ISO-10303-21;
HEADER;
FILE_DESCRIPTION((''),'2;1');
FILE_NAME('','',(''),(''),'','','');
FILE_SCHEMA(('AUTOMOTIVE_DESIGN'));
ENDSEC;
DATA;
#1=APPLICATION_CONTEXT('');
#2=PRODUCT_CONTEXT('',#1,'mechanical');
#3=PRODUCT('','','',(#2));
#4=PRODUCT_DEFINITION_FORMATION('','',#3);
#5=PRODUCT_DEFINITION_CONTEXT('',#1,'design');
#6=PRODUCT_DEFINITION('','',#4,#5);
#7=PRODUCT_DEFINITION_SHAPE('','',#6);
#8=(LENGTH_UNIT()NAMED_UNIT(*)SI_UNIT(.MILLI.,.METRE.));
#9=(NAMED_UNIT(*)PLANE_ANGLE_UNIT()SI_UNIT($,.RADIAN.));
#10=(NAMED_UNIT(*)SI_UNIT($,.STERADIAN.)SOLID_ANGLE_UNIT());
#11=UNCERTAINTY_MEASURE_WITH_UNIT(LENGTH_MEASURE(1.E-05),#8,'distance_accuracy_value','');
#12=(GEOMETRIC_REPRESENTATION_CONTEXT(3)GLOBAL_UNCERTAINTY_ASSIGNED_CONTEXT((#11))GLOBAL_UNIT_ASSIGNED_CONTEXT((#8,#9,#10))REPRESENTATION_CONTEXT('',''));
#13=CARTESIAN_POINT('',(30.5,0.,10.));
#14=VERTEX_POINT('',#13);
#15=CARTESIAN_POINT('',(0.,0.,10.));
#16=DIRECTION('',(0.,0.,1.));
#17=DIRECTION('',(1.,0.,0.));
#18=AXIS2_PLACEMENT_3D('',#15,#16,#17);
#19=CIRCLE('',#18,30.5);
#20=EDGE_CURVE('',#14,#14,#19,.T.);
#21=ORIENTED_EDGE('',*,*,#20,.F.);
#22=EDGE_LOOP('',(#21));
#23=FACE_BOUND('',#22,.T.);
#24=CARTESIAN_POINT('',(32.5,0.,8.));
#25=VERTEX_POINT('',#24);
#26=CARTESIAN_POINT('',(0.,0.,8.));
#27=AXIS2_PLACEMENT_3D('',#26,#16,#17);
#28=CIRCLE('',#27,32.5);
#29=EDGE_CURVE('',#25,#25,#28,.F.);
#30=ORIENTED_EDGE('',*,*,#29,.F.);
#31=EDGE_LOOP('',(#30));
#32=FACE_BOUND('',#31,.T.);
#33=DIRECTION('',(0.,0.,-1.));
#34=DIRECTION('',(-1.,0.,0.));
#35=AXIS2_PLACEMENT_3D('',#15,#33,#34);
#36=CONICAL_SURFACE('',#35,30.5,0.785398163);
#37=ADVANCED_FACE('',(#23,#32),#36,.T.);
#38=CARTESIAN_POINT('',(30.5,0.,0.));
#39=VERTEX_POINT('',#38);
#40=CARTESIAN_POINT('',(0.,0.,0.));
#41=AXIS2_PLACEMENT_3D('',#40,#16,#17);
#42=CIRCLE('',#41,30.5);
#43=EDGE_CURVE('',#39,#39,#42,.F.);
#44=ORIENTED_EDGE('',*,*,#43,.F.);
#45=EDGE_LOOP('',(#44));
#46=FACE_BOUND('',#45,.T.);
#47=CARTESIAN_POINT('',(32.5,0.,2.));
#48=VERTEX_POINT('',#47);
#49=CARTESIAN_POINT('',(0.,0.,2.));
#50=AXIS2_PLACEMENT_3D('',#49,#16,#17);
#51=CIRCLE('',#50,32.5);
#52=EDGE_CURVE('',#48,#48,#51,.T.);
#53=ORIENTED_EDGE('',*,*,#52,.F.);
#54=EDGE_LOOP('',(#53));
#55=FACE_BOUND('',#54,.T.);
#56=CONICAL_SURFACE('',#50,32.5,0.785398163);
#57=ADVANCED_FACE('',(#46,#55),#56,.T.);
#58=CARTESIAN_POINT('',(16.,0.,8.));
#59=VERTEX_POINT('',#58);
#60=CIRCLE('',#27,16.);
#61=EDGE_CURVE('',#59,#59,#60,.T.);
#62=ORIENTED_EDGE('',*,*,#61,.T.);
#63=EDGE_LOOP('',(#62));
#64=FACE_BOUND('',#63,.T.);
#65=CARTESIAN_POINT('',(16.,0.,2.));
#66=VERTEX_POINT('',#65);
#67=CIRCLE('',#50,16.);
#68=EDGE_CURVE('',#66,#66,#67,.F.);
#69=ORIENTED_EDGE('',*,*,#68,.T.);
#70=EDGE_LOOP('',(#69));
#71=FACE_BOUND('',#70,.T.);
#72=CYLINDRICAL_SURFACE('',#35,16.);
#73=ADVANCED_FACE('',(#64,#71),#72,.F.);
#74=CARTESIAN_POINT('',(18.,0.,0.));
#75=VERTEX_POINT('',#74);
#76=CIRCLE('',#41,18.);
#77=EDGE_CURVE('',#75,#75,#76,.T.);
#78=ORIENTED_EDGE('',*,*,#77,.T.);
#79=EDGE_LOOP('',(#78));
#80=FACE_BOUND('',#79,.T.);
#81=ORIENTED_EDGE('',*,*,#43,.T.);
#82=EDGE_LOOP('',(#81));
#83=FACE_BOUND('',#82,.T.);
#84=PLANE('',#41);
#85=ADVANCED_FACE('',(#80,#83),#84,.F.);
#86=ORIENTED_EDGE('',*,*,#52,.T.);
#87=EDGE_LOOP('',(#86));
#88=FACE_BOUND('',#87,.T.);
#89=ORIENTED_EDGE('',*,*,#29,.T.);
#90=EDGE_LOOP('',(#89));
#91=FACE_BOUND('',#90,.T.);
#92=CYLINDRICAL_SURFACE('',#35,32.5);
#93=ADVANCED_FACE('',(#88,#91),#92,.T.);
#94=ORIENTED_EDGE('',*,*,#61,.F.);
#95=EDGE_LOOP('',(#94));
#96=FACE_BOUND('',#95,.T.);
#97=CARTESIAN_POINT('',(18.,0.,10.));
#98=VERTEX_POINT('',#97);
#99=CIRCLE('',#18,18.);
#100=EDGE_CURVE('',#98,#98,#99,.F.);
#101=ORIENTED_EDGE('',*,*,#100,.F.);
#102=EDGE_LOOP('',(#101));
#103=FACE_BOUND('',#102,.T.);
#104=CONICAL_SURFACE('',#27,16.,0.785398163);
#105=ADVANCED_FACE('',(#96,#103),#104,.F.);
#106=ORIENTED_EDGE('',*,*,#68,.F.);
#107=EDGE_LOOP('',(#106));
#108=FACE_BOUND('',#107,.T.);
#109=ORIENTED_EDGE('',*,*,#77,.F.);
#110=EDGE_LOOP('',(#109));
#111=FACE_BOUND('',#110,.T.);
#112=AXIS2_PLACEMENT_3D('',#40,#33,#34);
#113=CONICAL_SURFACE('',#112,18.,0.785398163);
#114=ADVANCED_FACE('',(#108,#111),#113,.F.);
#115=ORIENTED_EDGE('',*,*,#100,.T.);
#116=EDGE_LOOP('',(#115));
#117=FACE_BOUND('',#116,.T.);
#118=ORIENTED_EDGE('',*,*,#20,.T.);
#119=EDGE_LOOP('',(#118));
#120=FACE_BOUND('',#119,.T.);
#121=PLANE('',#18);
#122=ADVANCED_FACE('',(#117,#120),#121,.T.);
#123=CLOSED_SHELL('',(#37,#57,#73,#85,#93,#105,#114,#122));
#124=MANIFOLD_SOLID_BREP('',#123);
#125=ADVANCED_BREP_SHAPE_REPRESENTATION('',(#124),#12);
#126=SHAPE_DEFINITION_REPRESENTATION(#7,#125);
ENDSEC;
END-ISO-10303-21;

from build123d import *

# Parameters (mm, degrees)
SKETCH_1_R      = 32.5
SKETCH_1_R_2    = 16
EXTRUDE_1_DEPTH = 10
CHAMFER_1_SIZE  = 2


with BuildPart() as part:
    # 草图1 → 凸台-拉伸1 (new body)
    with BuildSketch(Plane.XY):
        Circle(SKETCH_1_R)
        Circle(SKETCH_1_R_2, mode=Mode.SUBTRACT)
    extrude(amount=EXTRUDE_1_DEPTH)

    # 倒角1
    chamfer_1_edges = [part.edges().sort_by_distance(p)[0] for p in [
        (-32.5, 0, 0),
        (-32.5, 0, 10),
        (-16, 0, 0),
        (-16, 0, 10),
    ]]
    chamfer(chamfer_1_edges, length=CHAMFER_1_SIZE)


solid = part.part
